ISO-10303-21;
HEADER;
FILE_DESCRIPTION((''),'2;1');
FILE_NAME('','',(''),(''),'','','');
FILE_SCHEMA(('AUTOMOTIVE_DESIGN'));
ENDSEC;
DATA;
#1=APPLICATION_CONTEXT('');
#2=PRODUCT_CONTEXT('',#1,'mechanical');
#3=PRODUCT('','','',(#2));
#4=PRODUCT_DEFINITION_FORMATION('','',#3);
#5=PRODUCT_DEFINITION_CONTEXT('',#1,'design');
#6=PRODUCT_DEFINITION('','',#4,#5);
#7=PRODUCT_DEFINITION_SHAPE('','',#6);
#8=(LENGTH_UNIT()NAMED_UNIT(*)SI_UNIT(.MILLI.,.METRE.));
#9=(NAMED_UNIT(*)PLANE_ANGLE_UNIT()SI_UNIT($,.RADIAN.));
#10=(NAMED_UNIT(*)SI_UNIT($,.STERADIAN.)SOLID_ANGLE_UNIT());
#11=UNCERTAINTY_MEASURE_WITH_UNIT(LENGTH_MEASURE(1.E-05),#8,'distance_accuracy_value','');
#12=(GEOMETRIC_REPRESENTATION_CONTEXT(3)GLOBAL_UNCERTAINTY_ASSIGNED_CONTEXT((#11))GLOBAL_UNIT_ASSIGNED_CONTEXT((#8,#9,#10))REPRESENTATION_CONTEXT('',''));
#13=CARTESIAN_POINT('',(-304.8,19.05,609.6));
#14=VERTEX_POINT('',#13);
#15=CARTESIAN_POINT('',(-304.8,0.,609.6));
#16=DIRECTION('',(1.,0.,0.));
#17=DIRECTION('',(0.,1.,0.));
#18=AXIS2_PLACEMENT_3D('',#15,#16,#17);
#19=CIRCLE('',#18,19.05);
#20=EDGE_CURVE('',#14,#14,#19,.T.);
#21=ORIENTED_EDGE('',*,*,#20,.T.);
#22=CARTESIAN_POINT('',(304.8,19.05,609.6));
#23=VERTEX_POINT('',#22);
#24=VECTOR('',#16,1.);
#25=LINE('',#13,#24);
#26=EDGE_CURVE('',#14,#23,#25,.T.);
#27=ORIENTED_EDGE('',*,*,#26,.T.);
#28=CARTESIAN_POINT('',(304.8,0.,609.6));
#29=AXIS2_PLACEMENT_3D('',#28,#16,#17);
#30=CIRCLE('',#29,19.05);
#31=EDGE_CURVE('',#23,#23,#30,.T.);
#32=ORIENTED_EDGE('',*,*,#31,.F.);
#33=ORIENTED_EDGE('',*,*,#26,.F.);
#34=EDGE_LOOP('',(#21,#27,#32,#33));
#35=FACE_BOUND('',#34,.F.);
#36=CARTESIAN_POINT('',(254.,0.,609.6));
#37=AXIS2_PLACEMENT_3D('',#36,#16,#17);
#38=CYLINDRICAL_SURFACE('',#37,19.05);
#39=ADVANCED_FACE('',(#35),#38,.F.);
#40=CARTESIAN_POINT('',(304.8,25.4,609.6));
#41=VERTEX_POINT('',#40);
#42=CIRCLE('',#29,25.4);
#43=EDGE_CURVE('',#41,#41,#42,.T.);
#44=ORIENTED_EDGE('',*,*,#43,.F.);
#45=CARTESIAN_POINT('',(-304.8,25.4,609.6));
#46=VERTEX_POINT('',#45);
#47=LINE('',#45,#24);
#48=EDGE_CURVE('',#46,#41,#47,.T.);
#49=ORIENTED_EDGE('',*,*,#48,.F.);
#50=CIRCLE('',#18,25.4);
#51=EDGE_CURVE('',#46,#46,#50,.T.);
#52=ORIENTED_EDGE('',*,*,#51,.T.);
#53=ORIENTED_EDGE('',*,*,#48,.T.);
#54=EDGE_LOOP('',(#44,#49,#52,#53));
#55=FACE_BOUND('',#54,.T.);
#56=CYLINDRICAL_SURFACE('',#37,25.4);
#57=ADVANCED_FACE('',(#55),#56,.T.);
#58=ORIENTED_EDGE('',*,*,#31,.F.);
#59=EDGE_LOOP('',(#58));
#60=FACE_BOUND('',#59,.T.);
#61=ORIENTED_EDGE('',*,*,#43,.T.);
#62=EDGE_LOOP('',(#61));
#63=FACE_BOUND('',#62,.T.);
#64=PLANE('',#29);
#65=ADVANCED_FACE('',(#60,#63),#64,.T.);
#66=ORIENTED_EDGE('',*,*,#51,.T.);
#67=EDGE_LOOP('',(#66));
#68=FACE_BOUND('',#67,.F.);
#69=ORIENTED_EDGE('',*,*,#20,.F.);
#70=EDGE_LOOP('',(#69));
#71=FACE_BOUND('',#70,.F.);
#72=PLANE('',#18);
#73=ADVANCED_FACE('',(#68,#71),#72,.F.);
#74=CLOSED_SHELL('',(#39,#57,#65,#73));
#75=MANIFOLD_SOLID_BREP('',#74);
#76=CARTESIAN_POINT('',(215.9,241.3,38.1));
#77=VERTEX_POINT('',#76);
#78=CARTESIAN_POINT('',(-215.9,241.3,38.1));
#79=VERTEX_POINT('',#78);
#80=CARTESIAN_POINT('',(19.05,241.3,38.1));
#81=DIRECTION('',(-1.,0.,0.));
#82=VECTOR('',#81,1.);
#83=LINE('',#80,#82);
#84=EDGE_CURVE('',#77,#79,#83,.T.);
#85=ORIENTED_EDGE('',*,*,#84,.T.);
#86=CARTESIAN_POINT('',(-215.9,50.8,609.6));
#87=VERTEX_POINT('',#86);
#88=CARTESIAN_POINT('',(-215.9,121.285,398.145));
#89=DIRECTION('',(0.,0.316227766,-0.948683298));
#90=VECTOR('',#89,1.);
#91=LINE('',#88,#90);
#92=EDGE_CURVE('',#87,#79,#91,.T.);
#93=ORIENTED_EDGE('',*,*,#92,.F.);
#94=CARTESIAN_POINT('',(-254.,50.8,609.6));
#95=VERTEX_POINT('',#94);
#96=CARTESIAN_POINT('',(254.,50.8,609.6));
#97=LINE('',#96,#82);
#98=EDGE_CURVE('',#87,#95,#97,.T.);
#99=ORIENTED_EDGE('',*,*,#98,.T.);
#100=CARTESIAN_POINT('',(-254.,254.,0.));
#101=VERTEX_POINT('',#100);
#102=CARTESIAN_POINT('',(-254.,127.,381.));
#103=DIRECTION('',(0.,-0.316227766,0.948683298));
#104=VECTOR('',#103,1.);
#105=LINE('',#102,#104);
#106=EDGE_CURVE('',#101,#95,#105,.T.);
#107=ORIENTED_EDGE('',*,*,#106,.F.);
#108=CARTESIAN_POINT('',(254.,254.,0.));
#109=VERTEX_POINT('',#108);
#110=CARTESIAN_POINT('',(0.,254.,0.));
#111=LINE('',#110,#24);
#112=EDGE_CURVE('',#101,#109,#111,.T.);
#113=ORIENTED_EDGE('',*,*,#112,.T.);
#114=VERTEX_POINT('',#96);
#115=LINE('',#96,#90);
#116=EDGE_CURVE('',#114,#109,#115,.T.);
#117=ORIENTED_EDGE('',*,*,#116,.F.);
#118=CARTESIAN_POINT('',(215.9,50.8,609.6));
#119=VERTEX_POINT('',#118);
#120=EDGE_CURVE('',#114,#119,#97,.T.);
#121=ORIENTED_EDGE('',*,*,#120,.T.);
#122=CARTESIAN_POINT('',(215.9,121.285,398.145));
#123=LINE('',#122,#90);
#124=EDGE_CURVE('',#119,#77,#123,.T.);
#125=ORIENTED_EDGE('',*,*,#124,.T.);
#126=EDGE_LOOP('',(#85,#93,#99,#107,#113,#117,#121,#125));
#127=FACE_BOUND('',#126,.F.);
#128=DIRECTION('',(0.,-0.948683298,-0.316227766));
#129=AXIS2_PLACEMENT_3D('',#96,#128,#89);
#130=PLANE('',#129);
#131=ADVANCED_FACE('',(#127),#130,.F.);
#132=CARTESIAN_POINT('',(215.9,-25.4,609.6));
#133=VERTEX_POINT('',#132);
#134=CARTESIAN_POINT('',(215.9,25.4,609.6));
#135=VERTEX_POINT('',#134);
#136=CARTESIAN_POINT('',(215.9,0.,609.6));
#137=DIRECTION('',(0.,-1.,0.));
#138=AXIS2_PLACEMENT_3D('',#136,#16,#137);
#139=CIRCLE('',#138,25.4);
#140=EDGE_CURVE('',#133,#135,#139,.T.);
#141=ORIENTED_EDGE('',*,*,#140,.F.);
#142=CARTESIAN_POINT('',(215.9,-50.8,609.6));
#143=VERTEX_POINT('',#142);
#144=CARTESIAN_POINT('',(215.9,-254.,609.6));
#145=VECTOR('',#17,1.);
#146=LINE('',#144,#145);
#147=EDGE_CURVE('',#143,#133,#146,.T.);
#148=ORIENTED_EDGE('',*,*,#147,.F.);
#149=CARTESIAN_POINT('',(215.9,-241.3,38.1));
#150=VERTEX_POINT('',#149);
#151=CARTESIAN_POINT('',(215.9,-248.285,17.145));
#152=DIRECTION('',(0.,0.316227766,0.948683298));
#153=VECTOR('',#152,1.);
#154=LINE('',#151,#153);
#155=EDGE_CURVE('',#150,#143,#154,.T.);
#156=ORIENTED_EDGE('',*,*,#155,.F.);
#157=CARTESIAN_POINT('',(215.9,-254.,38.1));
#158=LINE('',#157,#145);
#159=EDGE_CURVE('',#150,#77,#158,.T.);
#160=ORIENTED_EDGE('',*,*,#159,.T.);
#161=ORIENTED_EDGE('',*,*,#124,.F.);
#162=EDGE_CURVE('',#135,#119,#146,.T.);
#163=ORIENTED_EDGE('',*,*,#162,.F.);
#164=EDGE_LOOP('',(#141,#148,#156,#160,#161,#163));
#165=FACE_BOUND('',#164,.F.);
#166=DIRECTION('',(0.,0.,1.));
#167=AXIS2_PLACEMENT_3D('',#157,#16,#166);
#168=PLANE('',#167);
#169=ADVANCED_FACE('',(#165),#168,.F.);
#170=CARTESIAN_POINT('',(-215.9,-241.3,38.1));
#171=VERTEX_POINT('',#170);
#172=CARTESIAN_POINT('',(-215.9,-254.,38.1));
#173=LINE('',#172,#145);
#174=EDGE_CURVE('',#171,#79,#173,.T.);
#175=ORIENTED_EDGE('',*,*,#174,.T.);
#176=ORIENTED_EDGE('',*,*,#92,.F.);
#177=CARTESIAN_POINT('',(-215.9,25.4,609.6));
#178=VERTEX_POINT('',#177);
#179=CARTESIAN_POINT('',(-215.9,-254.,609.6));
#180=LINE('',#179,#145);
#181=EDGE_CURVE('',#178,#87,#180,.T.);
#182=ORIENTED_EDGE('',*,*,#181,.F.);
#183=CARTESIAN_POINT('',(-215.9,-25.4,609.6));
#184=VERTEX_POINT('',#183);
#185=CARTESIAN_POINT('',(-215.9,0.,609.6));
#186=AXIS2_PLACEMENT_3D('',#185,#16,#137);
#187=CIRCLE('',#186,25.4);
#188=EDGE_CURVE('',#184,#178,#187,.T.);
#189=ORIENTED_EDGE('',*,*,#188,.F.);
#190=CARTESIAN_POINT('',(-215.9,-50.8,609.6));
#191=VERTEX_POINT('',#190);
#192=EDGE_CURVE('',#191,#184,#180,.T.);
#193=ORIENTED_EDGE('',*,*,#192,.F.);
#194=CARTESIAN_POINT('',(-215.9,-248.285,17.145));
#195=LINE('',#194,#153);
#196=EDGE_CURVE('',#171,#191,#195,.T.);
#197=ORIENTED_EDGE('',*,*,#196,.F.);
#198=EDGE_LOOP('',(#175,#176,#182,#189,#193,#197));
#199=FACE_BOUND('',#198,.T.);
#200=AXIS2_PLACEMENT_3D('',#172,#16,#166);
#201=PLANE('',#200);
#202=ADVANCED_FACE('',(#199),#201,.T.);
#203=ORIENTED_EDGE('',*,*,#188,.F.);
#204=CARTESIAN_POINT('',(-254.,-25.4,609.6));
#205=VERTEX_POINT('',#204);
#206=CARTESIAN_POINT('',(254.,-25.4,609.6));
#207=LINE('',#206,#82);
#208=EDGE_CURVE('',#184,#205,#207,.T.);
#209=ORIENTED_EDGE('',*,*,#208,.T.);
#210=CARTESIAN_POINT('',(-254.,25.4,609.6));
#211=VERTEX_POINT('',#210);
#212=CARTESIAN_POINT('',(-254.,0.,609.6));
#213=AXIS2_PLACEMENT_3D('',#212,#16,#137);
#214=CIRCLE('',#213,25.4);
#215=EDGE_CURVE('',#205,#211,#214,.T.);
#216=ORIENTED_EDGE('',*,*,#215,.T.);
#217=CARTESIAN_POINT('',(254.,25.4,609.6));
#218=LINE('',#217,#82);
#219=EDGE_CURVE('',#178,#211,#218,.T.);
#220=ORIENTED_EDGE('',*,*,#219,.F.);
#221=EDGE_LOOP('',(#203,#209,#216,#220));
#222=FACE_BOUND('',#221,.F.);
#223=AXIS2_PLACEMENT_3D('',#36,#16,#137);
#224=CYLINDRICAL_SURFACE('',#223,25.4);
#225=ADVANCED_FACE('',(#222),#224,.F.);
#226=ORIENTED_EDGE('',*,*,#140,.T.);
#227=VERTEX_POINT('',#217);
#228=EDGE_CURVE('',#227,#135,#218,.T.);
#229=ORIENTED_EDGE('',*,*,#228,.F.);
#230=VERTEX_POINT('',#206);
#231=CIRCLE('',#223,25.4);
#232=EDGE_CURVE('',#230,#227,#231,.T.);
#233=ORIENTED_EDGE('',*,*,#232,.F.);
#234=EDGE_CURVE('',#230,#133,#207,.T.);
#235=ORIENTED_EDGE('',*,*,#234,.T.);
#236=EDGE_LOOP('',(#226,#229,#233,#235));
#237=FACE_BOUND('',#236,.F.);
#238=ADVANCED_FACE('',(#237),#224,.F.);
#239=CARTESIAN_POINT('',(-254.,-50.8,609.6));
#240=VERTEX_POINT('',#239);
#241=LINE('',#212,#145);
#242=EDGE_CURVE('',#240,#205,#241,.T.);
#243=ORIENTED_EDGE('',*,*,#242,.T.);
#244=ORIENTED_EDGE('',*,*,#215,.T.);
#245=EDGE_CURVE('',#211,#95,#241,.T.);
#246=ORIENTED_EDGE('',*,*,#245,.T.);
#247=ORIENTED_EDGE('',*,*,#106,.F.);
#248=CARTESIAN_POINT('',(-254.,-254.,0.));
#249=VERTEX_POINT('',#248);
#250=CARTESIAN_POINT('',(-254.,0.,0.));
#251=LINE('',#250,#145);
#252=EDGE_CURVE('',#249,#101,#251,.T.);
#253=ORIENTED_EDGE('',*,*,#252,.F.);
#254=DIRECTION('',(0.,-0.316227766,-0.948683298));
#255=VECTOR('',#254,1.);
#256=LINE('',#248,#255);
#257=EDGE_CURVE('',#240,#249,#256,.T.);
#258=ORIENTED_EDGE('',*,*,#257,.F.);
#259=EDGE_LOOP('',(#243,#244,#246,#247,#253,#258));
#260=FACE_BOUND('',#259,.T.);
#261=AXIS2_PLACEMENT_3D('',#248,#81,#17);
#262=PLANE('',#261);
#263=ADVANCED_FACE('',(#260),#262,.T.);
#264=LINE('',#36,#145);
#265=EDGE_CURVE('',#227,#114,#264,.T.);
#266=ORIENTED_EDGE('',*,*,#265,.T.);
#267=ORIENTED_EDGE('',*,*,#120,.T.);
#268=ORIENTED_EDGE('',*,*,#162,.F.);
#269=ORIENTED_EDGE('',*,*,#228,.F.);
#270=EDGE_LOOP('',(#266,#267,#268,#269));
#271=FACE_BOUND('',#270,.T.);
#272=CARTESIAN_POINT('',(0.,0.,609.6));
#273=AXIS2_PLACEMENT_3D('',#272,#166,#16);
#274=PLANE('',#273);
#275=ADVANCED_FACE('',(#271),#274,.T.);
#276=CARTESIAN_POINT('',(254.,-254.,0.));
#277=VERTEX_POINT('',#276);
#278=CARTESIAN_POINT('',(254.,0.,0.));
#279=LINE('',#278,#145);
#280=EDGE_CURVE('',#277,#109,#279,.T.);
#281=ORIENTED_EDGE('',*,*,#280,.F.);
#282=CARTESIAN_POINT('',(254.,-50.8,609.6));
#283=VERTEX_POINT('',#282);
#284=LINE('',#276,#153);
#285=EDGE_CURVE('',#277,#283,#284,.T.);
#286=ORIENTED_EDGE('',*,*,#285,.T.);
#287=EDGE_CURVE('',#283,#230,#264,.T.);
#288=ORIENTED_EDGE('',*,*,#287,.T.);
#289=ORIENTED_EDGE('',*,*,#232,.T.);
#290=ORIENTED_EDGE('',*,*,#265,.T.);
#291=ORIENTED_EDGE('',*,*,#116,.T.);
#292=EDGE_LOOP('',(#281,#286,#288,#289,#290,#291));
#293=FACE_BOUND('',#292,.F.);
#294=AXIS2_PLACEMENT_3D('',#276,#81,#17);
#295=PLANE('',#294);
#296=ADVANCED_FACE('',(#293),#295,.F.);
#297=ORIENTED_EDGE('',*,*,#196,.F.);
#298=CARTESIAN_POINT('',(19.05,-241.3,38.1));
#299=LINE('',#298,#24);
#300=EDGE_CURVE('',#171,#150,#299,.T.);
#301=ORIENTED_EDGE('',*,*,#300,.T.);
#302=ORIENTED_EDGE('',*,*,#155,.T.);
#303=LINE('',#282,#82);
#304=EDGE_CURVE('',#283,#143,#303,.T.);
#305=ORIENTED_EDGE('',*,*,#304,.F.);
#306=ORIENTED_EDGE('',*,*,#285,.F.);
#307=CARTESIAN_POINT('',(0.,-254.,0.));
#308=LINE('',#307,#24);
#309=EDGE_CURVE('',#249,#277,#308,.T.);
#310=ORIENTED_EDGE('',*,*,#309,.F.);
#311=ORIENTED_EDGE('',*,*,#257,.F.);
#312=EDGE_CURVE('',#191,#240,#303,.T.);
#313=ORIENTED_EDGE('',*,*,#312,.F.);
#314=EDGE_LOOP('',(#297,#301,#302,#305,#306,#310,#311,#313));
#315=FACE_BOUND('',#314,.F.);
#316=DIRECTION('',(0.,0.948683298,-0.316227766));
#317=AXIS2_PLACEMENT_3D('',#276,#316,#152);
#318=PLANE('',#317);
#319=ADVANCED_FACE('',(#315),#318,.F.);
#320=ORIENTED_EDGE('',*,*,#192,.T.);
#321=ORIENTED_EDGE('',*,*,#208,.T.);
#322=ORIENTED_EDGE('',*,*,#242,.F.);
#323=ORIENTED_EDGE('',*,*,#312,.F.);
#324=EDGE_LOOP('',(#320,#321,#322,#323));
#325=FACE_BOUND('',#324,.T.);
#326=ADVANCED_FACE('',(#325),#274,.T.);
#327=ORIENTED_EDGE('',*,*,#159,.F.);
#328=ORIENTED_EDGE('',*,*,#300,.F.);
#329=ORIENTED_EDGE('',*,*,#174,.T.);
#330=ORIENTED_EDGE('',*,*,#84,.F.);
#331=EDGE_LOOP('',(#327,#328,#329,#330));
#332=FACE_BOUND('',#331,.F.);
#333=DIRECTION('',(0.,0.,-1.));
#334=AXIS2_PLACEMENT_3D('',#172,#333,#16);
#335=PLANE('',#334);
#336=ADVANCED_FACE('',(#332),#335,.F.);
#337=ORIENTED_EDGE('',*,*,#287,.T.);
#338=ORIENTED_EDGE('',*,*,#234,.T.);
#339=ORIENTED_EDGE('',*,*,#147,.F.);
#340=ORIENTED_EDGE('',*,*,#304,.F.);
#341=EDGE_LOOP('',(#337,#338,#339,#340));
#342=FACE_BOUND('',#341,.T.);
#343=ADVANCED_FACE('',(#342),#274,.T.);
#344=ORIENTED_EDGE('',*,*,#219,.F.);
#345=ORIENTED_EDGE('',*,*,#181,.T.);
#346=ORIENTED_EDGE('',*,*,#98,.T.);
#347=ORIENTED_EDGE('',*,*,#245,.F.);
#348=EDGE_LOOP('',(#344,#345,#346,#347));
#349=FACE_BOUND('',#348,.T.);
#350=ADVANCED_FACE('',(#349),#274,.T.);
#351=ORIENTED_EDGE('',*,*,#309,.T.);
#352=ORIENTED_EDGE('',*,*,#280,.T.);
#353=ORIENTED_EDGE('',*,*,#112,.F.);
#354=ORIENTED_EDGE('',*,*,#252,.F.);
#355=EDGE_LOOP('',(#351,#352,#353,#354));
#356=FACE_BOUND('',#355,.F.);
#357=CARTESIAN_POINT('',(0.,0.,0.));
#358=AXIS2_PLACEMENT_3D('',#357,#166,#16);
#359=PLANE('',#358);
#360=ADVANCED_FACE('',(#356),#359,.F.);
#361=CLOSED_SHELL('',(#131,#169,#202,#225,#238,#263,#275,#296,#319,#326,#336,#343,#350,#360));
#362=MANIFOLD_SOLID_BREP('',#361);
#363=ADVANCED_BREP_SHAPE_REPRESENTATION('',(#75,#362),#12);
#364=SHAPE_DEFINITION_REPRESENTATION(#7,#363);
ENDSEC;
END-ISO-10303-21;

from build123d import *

# Parameters (mm, degrees)
F0_W          = 508
F0_H          = 508
F1_DEPTH      = 609.6
F2_W          = 431.8
F2_H          = 571.5
F3_DEPTH      = 508.001
F5_DEPTH      = 508.001
F7_DEPTH      = 50.8
F7_DEPTH_BACK = 558.8
F8_T          = -6.35


with BuildPart() as f1:
    # F0 (on Top) → F1 (new body)
    with BuildSketch(Plane.XY):
        Rectangle(F0_W, F0_H)
    extrude(amount=F1_DEPTH)

    # F2 (on face) → F3 (cut, through all)
    with BuildSketch(Plane.XZ.offset(254)):
        with Locations((0, 323.85)):
            Rectangle(F2_W, F2_H)
    extrude(amount=-F3_DEPTH, mode=Mode.SUBTRACT)

    # F4 (on face) → F5 (cut, through all)
    with BuildSketch(Plane.YZ.offset(254)):
        Polygon((-254, 609.6), (-254, 0), (-50.8, 609.6), align=None)
        Polygon((254, 0), (254, 609.6), (50.8, 609.6), align=None)
        with BuildLine():
            ThreePointArc((-25.4, 609.6), (0, 584.2), (25.4, 609.6))
            Line((25.4, 609.6), (-25.4, 609.6))
        make_face()
    extrude(amount=-F5_DEPTH, mode=Mode.SUBTRACT)


with BuildPart() as f7:
    # F6 (on face) → F7 (new body, two sides)
    with BuildSketch(Plane.YZ.offset(254)) as f7_sk:
        with BuildLine():
            ThreePointArc((-25.4, 609.6), (0, 584.2), (25.4, 609.6))
            ThreePointArc((25.4, 609.6), (0, 635), (-25.4, 609.6))
        make_face()
    extrude(amount=F7_DEPTH)
    extrude(f7_sk.sketch, amount=-F7_DEPTH_BACK)

    # F8
    f8_openings = [f7.faces().sort_by_distance(p)[0] for p in [
        (304.8, 0, 609.6),
        (-304.8, 0, 609.6),
    ]]
    offset(amount=F8_T, openings=f8_openings)


solid = Compound([f1.part, f7.part])
